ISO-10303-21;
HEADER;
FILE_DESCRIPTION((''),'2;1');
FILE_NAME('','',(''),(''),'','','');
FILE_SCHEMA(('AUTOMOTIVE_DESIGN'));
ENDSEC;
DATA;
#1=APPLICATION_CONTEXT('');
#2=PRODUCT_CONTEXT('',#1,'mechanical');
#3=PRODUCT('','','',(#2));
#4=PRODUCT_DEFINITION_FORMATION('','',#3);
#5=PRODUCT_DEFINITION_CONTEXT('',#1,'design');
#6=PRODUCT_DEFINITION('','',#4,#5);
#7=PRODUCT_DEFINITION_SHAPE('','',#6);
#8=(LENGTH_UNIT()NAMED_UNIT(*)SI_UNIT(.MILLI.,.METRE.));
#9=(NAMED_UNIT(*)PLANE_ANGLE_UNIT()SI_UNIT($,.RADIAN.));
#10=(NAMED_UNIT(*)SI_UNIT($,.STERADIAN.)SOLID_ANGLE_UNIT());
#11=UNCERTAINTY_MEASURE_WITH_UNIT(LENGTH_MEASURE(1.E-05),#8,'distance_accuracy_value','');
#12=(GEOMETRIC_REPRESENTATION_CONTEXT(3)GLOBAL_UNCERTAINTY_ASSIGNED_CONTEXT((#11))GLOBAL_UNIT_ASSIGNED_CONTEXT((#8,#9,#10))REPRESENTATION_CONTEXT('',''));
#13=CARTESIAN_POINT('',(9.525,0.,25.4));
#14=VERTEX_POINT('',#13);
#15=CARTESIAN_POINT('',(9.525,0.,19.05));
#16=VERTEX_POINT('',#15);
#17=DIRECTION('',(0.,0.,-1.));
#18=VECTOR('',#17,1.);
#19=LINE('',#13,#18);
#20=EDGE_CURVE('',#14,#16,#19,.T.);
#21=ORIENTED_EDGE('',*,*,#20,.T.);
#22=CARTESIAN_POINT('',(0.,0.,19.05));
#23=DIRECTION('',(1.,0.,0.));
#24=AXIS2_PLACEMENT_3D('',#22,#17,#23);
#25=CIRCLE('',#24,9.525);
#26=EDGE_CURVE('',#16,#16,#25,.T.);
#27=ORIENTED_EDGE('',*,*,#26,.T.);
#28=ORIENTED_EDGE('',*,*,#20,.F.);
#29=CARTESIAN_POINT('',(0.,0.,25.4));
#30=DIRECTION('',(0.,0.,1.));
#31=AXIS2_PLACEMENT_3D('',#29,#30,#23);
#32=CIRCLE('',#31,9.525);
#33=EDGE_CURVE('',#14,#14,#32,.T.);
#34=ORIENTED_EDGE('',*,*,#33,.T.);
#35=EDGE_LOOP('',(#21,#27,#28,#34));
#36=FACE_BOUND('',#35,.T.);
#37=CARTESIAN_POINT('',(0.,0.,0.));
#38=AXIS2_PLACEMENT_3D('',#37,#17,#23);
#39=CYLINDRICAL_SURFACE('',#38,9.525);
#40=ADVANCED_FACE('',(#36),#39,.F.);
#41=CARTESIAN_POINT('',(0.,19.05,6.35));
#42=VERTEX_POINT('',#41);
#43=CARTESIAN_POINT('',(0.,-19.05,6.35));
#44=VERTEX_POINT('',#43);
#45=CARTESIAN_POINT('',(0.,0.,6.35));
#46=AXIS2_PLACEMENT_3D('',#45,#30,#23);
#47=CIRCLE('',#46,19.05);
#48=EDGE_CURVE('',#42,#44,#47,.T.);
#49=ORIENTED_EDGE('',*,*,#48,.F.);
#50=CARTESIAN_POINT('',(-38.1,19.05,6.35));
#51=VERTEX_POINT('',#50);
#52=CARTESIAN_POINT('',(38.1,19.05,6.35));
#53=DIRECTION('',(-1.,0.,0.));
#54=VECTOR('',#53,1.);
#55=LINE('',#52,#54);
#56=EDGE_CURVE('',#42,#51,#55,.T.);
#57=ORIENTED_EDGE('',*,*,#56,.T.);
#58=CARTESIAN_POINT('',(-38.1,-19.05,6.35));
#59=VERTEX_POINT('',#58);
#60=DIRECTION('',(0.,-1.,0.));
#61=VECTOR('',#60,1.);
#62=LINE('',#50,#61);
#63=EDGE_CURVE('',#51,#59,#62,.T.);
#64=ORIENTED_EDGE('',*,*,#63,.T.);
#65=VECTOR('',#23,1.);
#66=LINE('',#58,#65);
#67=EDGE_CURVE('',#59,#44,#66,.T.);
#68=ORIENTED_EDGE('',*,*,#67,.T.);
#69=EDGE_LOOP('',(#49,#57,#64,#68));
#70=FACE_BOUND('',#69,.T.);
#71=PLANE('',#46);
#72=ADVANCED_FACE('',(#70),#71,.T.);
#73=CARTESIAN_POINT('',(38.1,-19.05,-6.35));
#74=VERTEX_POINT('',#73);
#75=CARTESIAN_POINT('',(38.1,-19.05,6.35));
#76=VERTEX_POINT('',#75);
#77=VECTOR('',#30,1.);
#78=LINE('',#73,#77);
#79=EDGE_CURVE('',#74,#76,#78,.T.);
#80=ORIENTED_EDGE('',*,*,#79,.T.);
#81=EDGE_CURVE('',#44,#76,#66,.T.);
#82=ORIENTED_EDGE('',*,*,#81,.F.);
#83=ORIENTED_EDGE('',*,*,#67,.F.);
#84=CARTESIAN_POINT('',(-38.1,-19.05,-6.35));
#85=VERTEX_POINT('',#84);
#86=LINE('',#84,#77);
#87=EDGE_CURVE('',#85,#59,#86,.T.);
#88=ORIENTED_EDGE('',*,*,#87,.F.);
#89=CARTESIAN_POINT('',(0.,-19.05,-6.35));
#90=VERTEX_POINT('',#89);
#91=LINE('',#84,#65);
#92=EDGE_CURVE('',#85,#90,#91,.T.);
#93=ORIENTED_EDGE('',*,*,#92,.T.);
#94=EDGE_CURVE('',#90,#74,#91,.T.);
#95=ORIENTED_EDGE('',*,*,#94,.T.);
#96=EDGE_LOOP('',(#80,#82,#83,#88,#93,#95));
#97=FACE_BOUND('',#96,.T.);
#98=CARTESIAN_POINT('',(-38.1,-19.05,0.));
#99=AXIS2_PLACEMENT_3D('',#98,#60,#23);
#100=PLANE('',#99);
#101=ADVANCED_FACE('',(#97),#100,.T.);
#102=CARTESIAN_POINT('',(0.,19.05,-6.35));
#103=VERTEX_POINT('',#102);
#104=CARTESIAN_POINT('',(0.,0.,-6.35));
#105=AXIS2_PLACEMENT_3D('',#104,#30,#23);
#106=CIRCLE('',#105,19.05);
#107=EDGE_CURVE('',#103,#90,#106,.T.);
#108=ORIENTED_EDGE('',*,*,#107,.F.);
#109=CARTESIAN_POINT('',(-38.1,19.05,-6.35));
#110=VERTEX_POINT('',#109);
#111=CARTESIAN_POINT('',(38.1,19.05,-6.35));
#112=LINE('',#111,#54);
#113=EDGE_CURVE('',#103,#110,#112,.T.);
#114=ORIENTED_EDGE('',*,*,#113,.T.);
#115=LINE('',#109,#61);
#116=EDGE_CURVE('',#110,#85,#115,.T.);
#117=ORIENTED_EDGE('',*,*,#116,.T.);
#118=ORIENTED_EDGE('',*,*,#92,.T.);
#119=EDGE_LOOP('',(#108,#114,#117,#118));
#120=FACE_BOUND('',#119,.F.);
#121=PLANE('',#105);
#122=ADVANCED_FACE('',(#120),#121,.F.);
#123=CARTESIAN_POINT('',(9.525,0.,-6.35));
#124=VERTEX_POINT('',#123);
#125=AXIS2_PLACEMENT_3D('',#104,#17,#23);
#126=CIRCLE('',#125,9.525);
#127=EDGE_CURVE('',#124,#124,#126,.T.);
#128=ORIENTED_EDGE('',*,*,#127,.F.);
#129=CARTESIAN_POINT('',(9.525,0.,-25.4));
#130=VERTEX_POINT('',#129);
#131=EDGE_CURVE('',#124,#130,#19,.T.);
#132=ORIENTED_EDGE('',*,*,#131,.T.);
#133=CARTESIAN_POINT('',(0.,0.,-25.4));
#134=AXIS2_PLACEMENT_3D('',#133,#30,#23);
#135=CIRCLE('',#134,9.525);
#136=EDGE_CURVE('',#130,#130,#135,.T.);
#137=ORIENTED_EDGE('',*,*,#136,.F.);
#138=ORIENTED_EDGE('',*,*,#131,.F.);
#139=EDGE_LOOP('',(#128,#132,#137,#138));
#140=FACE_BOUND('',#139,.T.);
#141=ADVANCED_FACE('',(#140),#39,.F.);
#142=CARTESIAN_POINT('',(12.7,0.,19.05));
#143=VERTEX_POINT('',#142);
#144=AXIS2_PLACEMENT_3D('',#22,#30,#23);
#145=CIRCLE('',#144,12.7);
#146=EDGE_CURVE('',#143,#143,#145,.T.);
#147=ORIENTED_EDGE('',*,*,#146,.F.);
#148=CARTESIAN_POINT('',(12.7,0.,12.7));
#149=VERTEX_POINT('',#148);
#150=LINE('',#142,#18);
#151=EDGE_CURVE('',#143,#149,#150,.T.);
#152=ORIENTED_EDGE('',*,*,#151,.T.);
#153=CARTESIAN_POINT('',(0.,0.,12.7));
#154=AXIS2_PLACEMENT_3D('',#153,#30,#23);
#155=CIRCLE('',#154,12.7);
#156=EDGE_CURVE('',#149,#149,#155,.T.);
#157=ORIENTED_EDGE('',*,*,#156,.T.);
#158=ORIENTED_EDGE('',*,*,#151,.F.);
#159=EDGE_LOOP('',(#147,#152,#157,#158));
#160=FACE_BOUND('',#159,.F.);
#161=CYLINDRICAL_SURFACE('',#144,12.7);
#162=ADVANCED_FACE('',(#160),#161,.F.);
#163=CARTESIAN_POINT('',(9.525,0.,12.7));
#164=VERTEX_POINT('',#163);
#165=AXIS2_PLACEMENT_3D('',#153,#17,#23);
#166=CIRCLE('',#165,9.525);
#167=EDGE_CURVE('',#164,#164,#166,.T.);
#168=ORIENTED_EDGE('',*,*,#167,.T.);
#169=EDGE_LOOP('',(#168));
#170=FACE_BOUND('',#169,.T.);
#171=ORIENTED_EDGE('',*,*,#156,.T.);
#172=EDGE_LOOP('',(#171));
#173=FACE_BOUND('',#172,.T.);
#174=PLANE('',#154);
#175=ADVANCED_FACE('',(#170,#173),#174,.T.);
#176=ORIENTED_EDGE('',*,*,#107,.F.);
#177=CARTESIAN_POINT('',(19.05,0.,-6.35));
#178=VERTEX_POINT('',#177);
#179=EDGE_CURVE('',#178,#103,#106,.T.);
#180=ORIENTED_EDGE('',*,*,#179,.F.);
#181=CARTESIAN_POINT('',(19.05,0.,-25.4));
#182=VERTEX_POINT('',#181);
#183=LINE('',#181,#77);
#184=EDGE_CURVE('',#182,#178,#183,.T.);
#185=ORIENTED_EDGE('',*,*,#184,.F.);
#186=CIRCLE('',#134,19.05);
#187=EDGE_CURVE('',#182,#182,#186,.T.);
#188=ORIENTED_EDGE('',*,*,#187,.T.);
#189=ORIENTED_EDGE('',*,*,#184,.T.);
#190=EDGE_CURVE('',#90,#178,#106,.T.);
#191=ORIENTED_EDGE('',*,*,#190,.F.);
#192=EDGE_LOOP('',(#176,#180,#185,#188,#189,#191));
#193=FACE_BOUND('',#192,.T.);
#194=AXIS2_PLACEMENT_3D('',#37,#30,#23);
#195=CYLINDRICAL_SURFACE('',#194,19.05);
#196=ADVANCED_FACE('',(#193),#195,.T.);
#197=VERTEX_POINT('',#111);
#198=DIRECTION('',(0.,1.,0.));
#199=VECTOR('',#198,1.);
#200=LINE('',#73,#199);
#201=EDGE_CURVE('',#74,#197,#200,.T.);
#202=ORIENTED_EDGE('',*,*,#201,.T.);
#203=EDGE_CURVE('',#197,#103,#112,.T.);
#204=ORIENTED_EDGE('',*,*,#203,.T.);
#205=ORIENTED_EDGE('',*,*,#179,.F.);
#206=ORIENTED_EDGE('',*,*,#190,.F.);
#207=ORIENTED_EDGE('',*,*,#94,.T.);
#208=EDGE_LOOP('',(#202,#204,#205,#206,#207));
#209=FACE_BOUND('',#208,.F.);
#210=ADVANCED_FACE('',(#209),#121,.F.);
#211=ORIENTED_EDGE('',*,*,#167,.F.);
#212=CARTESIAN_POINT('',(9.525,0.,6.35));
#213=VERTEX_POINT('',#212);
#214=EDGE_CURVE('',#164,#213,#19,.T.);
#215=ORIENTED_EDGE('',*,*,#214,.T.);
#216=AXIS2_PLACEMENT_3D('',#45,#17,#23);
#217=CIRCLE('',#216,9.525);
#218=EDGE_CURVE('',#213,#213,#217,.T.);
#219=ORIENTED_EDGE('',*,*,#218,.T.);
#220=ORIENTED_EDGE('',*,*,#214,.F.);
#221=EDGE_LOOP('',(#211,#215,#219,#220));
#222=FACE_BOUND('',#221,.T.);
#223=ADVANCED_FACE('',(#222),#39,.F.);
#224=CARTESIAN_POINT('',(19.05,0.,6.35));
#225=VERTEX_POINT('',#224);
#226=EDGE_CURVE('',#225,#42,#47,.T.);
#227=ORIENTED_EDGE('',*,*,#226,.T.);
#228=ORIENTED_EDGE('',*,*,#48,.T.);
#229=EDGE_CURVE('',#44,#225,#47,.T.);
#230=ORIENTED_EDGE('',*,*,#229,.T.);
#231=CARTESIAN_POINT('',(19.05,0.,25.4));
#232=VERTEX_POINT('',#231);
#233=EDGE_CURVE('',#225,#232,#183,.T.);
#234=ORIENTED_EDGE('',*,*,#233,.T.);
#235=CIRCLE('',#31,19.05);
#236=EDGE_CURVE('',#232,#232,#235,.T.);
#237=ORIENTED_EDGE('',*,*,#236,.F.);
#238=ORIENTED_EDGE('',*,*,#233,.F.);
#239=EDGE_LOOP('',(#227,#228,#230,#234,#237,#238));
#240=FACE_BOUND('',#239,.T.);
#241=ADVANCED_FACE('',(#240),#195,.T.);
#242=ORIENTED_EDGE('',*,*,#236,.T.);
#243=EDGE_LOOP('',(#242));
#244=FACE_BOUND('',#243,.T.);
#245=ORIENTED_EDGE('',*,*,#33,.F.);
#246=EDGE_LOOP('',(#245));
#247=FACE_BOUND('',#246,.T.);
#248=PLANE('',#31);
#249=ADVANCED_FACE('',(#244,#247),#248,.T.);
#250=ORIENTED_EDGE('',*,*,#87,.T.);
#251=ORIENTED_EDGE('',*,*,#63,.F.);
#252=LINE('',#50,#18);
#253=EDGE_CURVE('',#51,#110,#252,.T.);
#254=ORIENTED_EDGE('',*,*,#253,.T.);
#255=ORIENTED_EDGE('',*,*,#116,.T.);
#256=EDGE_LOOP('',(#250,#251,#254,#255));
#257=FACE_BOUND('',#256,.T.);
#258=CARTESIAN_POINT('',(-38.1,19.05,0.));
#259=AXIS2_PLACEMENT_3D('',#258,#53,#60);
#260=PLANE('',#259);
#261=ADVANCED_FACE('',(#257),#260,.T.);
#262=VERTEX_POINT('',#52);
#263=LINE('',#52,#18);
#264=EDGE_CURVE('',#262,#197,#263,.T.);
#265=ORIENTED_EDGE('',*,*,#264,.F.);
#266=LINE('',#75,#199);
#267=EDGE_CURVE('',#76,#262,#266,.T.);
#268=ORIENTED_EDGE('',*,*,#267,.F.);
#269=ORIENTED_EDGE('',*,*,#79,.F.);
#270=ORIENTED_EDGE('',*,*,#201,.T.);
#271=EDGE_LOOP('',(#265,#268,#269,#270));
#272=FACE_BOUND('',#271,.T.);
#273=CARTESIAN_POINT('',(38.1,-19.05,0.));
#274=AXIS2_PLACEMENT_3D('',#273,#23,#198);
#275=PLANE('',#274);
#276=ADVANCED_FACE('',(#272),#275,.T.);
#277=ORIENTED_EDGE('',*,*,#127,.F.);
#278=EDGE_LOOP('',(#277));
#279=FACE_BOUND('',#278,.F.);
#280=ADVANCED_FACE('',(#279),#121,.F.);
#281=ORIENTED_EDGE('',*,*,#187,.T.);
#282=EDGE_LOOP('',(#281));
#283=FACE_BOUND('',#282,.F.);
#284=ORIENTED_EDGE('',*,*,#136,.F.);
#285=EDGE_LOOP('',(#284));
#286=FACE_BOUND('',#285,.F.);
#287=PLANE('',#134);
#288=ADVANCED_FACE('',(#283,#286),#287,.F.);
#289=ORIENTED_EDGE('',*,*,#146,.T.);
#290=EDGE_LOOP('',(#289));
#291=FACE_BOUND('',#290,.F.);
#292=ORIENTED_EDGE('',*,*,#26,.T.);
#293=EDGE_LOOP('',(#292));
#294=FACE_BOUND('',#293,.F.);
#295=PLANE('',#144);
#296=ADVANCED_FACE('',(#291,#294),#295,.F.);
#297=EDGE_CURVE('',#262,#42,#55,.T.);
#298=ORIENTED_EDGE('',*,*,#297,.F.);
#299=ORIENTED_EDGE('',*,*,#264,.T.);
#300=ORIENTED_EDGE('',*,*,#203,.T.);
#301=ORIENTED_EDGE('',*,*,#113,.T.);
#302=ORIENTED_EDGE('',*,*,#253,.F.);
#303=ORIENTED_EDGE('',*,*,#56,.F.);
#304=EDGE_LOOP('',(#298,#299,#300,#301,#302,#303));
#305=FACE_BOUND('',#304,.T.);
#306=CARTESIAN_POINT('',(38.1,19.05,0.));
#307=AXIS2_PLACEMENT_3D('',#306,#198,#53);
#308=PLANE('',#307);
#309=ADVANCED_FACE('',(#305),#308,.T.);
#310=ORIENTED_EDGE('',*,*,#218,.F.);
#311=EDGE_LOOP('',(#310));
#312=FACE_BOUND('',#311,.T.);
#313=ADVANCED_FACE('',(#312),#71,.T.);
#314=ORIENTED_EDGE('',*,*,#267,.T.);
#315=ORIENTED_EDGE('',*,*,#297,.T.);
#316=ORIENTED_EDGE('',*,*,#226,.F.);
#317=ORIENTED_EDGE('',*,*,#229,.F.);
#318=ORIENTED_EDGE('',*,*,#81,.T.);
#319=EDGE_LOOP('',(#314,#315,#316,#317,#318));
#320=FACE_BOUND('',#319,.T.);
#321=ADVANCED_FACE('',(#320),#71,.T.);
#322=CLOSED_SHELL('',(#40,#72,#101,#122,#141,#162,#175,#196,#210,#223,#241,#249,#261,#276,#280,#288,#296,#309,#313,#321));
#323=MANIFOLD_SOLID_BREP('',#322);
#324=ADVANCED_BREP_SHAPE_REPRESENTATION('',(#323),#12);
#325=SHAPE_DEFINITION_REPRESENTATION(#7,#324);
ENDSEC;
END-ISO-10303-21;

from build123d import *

# Parameters (mm, degrees)
F0_R     = 19.05
F0_R_2   = 9.525
F1_DEPTH = 25.4
F3_START = -6.35
F2_R     = 12.7
F3_DEPTH = 6.35
F5_DEPTH = 6.35


with BuildPart() as f1:
    # F0 (on Top) → F1 (new body, symmetric)
    with BuildSketch(Plane.XY):
        Circle(F0_R)
        Circle(F0_R_2, mode=Mode.SUBTRACT)
    extrude(amount=F1_DEPTH, both=True)

    # F2 (on face) → F3 (cut)
    with BuildSketch(Plane.XY.offset(25.4).offset(F3_START)):
        Circle(F2_R)
    extrude(amount=-F3_DEPTH, mode=Mode.SUBTRACT)

    # F4 (on Top) → F5 (join, symmetric)
    with BuildSketch(Plane.XY):
        Polygon((-38.1, 19.05), (-38.1, 0), (-38.1, -19.05), (38.1, -19.05), (38.1, 0), (38.1, 19.05), align=None)
    extrude(amount=F5_DEPTH, both=True)


solid = f1.part
